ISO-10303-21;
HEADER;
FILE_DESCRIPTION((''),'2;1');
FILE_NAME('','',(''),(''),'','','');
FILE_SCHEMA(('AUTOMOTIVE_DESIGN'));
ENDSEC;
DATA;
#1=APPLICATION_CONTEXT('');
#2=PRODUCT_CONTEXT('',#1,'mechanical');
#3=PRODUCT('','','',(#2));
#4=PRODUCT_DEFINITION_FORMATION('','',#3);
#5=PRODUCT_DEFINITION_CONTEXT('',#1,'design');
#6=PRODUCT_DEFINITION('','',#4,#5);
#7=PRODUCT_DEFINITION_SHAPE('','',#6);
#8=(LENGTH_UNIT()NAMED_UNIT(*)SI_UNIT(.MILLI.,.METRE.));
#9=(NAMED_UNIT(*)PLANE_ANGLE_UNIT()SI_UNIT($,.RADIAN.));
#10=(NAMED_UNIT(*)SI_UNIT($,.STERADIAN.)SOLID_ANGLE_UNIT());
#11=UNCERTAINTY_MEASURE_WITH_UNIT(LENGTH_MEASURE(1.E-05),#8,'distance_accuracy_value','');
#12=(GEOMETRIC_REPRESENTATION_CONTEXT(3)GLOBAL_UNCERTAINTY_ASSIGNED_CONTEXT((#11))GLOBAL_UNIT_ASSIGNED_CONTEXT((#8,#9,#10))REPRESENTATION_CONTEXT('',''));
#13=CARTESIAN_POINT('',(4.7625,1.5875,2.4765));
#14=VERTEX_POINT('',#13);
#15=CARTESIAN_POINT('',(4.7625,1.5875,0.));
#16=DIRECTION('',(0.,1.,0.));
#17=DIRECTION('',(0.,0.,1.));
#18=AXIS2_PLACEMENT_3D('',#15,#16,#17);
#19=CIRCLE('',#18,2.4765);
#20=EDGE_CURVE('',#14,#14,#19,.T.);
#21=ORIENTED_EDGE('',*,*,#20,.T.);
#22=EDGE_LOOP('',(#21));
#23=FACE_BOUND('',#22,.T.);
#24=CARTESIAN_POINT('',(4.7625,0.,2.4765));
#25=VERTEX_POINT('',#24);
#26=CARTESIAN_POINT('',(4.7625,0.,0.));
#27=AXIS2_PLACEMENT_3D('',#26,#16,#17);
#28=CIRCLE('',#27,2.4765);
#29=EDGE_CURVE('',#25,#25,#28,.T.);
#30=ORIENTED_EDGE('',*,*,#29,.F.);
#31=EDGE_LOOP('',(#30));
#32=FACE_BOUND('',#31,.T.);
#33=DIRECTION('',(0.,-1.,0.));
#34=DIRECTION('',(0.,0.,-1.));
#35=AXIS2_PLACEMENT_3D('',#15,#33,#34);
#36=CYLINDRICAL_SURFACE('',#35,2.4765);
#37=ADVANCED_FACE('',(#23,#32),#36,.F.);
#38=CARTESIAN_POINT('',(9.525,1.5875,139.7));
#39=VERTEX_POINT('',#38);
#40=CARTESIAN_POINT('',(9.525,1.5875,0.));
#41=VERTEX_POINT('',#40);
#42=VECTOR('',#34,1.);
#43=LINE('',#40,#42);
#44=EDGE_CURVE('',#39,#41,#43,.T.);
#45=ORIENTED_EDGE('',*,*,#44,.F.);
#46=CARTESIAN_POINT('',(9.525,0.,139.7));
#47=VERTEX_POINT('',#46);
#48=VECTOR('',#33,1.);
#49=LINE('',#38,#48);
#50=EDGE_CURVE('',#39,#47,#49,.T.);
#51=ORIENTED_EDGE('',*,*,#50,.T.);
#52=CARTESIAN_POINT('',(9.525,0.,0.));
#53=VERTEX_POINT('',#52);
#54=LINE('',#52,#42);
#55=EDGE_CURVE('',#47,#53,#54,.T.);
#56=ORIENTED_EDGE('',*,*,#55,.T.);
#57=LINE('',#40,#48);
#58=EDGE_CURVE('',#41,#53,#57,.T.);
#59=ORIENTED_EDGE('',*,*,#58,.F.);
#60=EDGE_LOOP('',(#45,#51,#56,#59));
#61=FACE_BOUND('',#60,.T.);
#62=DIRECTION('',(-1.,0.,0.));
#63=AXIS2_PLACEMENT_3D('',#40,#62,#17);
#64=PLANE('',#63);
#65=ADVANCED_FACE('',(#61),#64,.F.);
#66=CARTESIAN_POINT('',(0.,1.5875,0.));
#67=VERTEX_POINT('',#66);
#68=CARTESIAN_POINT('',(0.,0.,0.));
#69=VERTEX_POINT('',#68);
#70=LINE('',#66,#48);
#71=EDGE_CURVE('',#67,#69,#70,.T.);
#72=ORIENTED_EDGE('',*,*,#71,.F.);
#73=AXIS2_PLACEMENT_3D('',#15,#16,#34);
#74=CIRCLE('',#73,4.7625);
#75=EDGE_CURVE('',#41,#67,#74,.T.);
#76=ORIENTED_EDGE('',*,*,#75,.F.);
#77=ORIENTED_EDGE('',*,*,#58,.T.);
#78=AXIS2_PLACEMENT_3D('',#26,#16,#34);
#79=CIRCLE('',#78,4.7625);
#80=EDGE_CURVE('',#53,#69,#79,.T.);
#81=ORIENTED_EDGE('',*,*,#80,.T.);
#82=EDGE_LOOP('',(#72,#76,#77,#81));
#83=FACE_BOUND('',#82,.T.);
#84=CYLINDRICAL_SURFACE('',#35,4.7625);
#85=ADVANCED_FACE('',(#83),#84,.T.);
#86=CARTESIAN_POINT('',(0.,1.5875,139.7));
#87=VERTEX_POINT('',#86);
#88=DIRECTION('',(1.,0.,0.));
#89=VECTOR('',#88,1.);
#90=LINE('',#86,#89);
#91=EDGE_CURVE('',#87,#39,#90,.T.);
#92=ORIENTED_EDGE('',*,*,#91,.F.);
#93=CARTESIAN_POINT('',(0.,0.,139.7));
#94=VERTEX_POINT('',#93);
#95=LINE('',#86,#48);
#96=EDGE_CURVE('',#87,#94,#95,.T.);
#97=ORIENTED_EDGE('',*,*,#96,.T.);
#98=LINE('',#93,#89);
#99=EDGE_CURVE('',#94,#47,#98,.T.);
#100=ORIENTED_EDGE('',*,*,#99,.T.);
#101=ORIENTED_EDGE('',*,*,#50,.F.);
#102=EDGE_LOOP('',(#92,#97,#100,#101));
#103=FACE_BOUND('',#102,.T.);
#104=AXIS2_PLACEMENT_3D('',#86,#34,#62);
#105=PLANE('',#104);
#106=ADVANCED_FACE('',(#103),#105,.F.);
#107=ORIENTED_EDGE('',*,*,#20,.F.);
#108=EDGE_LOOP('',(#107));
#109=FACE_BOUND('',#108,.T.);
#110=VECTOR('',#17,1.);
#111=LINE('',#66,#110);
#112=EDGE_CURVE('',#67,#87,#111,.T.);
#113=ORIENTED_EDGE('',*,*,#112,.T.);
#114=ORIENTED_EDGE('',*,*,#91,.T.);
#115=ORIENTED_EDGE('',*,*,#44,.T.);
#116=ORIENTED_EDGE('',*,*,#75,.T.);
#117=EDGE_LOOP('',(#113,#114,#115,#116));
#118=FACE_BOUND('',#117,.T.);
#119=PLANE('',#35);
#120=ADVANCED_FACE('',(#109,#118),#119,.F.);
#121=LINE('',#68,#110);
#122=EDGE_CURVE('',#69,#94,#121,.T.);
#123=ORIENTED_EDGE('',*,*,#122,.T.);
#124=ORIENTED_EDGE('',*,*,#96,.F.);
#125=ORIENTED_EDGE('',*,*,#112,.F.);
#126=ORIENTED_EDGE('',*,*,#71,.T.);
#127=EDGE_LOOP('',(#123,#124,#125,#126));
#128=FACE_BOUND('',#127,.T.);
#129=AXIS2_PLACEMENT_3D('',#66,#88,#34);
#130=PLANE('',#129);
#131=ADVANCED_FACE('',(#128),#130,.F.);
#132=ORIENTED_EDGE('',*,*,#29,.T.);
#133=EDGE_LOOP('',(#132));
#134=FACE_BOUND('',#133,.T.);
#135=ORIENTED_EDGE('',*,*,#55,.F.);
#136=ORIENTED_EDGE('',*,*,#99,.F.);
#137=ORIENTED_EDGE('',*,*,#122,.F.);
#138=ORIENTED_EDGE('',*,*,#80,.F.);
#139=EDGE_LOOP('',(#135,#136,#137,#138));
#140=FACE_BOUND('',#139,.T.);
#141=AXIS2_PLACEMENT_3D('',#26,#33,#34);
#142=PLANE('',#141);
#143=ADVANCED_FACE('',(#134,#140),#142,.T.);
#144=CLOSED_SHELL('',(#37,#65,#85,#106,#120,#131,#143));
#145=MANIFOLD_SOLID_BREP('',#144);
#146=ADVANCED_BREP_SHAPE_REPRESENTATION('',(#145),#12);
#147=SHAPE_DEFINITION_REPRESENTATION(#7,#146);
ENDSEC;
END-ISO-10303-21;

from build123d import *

# Parameters (mm, degrees)
SKETCH1_R           = 2.4765
BOSS_EXTRUDE1_DEPTH = 1.5875


with BuildPart() as part:
    # Sketch1 → Boss-Extrude1 (new body)
    with BuildSketch(Plane(origin=(0, 0, 0), x_dir=(1, 0, 0), z_dir=(0, 1, 0))):
        with BuildLine():
            Line((0, 0), (0, -139.7))
            Line((0, -139.7), (9.525, -139.7))
            Line((9.525, -139.7), (9.525, 0))
            ThreePointArc((9.525, 0), (4.7625, 4.7625), (0, 0))
        make_face()
        with Locations(Location((4.7625, 0, 0), (0, 0, 270))):
            Circle(SKETCH1_R, mode=Mode.SUBTRACT)
    extrude(amount=BOSS_EXTRUDE1_DEPTH)


solid = part.part
